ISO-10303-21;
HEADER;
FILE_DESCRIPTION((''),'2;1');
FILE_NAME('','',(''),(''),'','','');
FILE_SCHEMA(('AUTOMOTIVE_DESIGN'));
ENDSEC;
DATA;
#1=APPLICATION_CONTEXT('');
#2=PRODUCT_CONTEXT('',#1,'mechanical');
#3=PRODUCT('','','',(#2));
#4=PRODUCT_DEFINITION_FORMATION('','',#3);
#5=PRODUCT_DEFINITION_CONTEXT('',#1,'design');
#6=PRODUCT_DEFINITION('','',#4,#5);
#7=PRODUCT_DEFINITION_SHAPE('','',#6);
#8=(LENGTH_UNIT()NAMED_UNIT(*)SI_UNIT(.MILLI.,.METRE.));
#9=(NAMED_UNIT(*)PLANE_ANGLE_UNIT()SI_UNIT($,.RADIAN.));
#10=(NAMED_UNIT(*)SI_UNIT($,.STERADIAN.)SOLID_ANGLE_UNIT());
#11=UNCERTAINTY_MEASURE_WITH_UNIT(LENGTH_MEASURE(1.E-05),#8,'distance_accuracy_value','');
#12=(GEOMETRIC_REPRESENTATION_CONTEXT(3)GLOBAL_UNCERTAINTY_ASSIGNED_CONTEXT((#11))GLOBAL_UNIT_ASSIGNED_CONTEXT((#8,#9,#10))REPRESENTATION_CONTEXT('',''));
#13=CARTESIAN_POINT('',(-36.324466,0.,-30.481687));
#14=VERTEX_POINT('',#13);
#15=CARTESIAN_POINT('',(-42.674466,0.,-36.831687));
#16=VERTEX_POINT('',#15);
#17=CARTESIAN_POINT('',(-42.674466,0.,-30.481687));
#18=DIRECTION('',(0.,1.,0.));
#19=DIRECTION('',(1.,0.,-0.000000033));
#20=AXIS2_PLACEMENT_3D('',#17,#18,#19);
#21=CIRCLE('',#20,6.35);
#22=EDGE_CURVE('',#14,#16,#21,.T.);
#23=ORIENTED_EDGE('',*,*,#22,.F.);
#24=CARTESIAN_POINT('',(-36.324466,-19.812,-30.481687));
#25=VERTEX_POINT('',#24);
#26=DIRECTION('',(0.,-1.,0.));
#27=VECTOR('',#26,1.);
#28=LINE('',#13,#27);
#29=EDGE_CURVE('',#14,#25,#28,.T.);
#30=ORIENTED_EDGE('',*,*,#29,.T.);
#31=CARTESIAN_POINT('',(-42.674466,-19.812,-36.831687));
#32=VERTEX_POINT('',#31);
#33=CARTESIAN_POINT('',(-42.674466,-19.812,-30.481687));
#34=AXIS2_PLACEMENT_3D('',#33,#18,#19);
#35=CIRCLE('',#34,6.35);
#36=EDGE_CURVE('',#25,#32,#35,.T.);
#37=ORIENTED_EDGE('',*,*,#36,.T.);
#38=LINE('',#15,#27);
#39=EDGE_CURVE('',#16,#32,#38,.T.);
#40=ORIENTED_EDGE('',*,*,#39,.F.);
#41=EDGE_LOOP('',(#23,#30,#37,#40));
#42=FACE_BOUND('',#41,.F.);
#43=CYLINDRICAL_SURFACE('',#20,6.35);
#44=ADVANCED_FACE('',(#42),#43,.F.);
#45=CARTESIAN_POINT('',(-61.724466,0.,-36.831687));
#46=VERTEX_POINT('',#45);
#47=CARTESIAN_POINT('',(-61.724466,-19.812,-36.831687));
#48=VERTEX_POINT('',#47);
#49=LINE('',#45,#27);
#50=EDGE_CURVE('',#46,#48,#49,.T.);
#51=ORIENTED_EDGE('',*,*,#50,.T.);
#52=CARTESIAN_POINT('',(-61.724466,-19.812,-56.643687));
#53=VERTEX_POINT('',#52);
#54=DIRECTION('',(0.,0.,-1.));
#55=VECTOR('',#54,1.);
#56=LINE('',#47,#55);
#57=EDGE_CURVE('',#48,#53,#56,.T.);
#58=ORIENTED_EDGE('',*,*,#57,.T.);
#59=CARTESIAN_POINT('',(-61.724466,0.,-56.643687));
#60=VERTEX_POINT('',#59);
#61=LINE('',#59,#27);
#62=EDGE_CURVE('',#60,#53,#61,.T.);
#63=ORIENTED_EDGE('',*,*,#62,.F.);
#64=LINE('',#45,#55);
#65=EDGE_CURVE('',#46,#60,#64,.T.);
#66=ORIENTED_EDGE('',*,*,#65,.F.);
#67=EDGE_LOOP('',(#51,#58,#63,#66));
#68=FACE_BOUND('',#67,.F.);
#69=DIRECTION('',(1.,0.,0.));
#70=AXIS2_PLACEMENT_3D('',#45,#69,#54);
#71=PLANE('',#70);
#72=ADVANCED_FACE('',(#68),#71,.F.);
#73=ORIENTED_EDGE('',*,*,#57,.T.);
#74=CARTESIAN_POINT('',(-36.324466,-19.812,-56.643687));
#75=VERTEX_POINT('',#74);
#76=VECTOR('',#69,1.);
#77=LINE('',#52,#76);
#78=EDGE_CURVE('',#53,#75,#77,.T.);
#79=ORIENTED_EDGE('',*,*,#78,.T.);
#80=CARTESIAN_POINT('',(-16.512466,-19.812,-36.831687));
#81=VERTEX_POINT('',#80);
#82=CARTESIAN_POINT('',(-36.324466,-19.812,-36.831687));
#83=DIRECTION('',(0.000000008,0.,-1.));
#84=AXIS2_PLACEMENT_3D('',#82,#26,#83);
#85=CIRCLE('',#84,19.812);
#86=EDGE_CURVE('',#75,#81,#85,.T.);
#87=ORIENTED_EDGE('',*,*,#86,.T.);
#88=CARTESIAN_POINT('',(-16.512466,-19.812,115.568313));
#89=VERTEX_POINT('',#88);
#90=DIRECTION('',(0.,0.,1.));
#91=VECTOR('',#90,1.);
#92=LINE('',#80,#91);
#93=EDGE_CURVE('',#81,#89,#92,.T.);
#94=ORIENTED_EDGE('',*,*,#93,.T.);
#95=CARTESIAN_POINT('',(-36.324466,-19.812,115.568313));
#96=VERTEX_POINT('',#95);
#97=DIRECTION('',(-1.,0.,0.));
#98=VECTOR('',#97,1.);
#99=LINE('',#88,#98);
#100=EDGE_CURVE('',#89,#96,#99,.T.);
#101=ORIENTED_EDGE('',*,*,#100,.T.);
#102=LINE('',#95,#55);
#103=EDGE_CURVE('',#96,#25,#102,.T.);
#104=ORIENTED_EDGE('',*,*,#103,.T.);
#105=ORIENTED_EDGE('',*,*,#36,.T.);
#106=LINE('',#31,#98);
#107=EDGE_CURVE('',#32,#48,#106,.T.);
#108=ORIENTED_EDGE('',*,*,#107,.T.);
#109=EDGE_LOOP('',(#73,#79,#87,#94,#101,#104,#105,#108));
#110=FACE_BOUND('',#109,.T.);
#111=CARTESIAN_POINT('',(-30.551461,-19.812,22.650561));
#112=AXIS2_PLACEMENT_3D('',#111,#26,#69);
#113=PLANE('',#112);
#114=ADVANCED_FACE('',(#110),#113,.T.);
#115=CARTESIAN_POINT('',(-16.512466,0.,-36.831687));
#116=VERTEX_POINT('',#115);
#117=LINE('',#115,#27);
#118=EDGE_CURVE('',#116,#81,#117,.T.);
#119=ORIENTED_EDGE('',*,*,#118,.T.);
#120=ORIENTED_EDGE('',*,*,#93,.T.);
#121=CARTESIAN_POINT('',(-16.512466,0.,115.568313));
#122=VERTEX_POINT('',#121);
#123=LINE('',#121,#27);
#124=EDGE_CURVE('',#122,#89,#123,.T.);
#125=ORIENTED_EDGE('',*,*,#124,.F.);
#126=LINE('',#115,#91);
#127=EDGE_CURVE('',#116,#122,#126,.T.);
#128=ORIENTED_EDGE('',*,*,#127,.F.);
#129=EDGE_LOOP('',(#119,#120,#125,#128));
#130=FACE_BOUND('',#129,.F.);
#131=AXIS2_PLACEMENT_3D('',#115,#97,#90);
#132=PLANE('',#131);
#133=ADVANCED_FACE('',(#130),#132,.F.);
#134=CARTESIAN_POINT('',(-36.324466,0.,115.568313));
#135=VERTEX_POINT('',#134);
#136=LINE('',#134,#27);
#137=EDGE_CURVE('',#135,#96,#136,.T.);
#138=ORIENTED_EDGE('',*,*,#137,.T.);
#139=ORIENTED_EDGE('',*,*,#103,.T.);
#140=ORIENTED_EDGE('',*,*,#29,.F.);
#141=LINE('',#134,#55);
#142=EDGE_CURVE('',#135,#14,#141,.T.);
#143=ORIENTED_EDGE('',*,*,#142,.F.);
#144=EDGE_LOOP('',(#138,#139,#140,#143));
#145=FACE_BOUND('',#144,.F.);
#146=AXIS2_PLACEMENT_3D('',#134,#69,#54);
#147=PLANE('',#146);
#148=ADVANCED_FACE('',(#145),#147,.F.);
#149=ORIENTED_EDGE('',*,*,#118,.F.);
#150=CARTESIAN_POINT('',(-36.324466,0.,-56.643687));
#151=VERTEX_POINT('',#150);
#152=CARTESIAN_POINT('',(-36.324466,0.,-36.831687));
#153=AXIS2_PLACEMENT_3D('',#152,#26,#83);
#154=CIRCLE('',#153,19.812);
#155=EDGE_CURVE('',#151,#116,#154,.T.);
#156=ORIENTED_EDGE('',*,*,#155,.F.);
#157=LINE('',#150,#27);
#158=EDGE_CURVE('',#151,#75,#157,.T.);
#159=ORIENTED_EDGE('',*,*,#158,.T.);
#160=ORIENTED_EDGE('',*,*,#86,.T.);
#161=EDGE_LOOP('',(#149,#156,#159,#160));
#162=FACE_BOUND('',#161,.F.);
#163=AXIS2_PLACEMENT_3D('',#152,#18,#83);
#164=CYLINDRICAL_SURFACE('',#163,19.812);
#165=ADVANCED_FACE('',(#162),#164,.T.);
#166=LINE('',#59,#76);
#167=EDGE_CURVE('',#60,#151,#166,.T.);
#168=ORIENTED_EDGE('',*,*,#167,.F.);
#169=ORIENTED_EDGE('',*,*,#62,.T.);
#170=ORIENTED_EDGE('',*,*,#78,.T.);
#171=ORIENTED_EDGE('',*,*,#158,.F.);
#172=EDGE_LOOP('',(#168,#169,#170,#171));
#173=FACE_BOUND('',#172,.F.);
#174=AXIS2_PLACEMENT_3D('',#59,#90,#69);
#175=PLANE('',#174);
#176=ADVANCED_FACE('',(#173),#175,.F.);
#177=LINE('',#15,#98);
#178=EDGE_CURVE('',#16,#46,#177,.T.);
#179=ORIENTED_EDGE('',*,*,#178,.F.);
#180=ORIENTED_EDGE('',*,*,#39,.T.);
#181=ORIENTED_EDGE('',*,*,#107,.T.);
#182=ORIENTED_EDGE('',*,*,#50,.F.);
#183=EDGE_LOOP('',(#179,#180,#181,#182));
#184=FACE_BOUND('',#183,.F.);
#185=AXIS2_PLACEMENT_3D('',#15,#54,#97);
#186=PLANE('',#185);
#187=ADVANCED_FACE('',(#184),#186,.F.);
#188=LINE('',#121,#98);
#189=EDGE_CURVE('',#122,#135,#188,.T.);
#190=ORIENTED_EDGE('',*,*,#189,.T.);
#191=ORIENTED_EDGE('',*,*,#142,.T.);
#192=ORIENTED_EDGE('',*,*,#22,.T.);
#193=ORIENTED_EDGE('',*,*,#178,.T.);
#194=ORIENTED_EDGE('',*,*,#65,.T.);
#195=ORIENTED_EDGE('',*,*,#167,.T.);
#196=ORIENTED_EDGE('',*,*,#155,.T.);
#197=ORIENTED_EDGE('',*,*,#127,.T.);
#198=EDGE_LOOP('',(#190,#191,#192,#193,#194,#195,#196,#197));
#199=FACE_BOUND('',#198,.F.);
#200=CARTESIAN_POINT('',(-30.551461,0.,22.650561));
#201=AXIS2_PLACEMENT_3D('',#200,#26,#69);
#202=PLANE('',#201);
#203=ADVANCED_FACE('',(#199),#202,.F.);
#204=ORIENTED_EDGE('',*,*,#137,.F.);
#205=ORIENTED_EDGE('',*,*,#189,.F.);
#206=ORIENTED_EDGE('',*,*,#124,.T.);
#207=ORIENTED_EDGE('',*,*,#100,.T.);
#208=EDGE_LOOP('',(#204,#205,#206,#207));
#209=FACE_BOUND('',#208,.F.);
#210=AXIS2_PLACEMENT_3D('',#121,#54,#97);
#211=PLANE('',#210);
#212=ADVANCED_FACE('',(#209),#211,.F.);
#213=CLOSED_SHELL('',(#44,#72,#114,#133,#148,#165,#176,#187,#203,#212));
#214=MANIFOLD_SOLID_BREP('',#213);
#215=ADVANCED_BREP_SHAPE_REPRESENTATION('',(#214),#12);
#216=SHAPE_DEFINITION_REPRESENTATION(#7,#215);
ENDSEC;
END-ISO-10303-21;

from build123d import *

# Parameters (mm, degrees)
F1_DEPTH = 19.812


with BuildPart() as f1:
    # F0 (on Front) → F1 (new body)
    with BuildSketch(Plane.XZ):
        with BuildLine():
            Line((-16.512466, 115.568313), (-36.324466, 115.568313))
            Line((-36.324466, 115.568313), (-36.324466, -30.481687))
            ThreePointArc((-36.324466, -30.481687), (-38.184338, -34.971815), (-42.674466, -36.831687))
            Line((-42.674466, -36.831687), (-61.724466, -36.831687))
            Line((-61.724466, -36.831687), (-61.724466, -56.643687))
            Line((-61.724466, -56.643687), (-36.324466, -56.643687))
            ThreePointArc((-36.324466, -56.643687), (-22.315267, -50.840887), (-16.512466, -36.831687))
            Line((-16.512466, -36.831687), (-16.512466, 115.568313))
        make_face()
    extrude(amount=F1_DEPTH)


solid = f1.part
